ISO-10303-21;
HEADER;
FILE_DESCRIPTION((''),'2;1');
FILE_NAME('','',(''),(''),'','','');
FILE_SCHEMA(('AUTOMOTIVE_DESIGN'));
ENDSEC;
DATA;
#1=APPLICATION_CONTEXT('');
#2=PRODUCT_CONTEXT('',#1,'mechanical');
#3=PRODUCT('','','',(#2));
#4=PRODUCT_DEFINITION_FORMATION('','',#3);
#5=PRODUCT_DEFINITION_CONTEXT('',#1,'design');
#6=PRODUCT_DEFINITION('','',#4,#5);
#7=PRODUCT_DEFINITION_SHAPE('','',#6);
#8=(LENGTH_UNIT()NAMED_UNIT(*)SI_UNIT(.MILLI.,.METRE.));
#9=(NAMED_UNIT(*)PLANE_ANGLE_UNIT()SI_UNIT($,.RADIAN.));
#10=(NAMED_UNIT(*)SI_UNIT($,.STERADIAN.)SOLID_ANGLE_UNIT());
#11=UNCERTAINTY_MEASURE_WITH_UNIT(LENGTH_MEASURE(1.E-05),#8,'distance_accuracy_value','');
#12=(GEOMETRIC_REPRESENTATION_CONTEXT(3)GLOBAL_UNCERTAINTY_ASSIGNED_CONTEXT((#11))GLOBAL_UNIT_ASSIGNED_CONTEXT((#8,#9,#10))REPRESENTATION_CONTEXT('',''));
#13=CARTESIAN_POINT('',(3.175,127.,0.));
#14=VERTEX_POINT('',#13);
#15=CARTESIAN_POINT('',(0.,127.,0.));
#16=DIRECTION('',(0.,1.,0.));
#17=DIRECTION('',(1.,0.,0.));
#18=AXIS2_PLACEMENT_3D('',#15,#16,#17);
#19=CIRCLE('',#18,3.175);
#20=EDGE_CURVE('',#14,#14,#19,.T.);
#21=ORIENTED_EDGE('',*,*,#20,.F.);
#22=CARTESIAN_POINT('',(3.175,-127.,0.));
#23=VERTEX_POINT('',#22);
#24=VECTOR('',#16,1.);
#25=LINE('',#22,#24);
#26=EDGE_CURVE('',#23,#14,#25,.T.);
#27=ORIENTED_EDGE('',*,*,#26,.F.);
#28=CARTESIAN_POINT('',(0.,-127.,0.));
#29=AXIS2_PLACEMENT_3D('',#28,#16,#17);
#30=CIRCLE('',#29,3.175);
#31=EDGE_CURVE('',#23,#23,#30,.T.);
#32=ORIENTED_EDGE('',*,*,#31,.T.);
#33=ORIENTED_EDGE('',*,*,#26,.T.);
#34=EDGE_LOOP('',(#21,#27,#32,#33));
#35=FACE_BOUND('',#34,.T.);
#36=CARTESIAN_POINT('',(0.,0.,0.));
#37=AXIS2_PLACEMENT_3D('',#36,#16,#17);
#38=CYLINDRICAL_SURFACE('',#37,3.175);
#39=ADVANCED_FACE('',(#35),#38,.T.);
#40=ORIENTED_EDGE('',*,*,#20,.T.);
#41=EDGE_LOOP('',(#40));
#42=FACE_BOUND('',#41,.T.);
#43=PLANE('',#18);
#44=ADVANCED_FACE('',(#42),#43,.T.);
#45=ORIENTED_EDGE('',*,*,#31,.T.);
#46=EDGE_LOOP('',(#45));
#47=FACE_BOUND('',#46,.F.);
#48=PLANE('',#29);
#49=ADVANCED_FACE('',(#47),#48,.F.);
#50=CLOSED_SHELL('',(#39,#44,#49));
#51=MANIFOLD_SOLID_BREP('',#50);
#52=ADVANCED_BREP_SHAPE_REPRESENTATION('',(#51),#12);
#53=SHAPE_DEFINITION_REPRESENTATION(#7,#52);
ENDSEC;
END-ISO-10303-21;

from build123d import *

# Parameters (mm, degrees)
SKETCH1_R           = 3.175
BOSS_EXTRUDE1_DEPTH = 127


with BuildPart() as part:
    # Sketch1 → Boss-Extrude1 (new body, symmetric)
    with BuildSketch(Plane(origin=(0, 0, 0), x_dir=(1, 0, 0), z_dir=(0, 1, 0))):
        Circle(SKETCH1_R)
    extrude(amount=BOSS_EXTRUDE1_DEPTH, both=True)


solid = part.part
